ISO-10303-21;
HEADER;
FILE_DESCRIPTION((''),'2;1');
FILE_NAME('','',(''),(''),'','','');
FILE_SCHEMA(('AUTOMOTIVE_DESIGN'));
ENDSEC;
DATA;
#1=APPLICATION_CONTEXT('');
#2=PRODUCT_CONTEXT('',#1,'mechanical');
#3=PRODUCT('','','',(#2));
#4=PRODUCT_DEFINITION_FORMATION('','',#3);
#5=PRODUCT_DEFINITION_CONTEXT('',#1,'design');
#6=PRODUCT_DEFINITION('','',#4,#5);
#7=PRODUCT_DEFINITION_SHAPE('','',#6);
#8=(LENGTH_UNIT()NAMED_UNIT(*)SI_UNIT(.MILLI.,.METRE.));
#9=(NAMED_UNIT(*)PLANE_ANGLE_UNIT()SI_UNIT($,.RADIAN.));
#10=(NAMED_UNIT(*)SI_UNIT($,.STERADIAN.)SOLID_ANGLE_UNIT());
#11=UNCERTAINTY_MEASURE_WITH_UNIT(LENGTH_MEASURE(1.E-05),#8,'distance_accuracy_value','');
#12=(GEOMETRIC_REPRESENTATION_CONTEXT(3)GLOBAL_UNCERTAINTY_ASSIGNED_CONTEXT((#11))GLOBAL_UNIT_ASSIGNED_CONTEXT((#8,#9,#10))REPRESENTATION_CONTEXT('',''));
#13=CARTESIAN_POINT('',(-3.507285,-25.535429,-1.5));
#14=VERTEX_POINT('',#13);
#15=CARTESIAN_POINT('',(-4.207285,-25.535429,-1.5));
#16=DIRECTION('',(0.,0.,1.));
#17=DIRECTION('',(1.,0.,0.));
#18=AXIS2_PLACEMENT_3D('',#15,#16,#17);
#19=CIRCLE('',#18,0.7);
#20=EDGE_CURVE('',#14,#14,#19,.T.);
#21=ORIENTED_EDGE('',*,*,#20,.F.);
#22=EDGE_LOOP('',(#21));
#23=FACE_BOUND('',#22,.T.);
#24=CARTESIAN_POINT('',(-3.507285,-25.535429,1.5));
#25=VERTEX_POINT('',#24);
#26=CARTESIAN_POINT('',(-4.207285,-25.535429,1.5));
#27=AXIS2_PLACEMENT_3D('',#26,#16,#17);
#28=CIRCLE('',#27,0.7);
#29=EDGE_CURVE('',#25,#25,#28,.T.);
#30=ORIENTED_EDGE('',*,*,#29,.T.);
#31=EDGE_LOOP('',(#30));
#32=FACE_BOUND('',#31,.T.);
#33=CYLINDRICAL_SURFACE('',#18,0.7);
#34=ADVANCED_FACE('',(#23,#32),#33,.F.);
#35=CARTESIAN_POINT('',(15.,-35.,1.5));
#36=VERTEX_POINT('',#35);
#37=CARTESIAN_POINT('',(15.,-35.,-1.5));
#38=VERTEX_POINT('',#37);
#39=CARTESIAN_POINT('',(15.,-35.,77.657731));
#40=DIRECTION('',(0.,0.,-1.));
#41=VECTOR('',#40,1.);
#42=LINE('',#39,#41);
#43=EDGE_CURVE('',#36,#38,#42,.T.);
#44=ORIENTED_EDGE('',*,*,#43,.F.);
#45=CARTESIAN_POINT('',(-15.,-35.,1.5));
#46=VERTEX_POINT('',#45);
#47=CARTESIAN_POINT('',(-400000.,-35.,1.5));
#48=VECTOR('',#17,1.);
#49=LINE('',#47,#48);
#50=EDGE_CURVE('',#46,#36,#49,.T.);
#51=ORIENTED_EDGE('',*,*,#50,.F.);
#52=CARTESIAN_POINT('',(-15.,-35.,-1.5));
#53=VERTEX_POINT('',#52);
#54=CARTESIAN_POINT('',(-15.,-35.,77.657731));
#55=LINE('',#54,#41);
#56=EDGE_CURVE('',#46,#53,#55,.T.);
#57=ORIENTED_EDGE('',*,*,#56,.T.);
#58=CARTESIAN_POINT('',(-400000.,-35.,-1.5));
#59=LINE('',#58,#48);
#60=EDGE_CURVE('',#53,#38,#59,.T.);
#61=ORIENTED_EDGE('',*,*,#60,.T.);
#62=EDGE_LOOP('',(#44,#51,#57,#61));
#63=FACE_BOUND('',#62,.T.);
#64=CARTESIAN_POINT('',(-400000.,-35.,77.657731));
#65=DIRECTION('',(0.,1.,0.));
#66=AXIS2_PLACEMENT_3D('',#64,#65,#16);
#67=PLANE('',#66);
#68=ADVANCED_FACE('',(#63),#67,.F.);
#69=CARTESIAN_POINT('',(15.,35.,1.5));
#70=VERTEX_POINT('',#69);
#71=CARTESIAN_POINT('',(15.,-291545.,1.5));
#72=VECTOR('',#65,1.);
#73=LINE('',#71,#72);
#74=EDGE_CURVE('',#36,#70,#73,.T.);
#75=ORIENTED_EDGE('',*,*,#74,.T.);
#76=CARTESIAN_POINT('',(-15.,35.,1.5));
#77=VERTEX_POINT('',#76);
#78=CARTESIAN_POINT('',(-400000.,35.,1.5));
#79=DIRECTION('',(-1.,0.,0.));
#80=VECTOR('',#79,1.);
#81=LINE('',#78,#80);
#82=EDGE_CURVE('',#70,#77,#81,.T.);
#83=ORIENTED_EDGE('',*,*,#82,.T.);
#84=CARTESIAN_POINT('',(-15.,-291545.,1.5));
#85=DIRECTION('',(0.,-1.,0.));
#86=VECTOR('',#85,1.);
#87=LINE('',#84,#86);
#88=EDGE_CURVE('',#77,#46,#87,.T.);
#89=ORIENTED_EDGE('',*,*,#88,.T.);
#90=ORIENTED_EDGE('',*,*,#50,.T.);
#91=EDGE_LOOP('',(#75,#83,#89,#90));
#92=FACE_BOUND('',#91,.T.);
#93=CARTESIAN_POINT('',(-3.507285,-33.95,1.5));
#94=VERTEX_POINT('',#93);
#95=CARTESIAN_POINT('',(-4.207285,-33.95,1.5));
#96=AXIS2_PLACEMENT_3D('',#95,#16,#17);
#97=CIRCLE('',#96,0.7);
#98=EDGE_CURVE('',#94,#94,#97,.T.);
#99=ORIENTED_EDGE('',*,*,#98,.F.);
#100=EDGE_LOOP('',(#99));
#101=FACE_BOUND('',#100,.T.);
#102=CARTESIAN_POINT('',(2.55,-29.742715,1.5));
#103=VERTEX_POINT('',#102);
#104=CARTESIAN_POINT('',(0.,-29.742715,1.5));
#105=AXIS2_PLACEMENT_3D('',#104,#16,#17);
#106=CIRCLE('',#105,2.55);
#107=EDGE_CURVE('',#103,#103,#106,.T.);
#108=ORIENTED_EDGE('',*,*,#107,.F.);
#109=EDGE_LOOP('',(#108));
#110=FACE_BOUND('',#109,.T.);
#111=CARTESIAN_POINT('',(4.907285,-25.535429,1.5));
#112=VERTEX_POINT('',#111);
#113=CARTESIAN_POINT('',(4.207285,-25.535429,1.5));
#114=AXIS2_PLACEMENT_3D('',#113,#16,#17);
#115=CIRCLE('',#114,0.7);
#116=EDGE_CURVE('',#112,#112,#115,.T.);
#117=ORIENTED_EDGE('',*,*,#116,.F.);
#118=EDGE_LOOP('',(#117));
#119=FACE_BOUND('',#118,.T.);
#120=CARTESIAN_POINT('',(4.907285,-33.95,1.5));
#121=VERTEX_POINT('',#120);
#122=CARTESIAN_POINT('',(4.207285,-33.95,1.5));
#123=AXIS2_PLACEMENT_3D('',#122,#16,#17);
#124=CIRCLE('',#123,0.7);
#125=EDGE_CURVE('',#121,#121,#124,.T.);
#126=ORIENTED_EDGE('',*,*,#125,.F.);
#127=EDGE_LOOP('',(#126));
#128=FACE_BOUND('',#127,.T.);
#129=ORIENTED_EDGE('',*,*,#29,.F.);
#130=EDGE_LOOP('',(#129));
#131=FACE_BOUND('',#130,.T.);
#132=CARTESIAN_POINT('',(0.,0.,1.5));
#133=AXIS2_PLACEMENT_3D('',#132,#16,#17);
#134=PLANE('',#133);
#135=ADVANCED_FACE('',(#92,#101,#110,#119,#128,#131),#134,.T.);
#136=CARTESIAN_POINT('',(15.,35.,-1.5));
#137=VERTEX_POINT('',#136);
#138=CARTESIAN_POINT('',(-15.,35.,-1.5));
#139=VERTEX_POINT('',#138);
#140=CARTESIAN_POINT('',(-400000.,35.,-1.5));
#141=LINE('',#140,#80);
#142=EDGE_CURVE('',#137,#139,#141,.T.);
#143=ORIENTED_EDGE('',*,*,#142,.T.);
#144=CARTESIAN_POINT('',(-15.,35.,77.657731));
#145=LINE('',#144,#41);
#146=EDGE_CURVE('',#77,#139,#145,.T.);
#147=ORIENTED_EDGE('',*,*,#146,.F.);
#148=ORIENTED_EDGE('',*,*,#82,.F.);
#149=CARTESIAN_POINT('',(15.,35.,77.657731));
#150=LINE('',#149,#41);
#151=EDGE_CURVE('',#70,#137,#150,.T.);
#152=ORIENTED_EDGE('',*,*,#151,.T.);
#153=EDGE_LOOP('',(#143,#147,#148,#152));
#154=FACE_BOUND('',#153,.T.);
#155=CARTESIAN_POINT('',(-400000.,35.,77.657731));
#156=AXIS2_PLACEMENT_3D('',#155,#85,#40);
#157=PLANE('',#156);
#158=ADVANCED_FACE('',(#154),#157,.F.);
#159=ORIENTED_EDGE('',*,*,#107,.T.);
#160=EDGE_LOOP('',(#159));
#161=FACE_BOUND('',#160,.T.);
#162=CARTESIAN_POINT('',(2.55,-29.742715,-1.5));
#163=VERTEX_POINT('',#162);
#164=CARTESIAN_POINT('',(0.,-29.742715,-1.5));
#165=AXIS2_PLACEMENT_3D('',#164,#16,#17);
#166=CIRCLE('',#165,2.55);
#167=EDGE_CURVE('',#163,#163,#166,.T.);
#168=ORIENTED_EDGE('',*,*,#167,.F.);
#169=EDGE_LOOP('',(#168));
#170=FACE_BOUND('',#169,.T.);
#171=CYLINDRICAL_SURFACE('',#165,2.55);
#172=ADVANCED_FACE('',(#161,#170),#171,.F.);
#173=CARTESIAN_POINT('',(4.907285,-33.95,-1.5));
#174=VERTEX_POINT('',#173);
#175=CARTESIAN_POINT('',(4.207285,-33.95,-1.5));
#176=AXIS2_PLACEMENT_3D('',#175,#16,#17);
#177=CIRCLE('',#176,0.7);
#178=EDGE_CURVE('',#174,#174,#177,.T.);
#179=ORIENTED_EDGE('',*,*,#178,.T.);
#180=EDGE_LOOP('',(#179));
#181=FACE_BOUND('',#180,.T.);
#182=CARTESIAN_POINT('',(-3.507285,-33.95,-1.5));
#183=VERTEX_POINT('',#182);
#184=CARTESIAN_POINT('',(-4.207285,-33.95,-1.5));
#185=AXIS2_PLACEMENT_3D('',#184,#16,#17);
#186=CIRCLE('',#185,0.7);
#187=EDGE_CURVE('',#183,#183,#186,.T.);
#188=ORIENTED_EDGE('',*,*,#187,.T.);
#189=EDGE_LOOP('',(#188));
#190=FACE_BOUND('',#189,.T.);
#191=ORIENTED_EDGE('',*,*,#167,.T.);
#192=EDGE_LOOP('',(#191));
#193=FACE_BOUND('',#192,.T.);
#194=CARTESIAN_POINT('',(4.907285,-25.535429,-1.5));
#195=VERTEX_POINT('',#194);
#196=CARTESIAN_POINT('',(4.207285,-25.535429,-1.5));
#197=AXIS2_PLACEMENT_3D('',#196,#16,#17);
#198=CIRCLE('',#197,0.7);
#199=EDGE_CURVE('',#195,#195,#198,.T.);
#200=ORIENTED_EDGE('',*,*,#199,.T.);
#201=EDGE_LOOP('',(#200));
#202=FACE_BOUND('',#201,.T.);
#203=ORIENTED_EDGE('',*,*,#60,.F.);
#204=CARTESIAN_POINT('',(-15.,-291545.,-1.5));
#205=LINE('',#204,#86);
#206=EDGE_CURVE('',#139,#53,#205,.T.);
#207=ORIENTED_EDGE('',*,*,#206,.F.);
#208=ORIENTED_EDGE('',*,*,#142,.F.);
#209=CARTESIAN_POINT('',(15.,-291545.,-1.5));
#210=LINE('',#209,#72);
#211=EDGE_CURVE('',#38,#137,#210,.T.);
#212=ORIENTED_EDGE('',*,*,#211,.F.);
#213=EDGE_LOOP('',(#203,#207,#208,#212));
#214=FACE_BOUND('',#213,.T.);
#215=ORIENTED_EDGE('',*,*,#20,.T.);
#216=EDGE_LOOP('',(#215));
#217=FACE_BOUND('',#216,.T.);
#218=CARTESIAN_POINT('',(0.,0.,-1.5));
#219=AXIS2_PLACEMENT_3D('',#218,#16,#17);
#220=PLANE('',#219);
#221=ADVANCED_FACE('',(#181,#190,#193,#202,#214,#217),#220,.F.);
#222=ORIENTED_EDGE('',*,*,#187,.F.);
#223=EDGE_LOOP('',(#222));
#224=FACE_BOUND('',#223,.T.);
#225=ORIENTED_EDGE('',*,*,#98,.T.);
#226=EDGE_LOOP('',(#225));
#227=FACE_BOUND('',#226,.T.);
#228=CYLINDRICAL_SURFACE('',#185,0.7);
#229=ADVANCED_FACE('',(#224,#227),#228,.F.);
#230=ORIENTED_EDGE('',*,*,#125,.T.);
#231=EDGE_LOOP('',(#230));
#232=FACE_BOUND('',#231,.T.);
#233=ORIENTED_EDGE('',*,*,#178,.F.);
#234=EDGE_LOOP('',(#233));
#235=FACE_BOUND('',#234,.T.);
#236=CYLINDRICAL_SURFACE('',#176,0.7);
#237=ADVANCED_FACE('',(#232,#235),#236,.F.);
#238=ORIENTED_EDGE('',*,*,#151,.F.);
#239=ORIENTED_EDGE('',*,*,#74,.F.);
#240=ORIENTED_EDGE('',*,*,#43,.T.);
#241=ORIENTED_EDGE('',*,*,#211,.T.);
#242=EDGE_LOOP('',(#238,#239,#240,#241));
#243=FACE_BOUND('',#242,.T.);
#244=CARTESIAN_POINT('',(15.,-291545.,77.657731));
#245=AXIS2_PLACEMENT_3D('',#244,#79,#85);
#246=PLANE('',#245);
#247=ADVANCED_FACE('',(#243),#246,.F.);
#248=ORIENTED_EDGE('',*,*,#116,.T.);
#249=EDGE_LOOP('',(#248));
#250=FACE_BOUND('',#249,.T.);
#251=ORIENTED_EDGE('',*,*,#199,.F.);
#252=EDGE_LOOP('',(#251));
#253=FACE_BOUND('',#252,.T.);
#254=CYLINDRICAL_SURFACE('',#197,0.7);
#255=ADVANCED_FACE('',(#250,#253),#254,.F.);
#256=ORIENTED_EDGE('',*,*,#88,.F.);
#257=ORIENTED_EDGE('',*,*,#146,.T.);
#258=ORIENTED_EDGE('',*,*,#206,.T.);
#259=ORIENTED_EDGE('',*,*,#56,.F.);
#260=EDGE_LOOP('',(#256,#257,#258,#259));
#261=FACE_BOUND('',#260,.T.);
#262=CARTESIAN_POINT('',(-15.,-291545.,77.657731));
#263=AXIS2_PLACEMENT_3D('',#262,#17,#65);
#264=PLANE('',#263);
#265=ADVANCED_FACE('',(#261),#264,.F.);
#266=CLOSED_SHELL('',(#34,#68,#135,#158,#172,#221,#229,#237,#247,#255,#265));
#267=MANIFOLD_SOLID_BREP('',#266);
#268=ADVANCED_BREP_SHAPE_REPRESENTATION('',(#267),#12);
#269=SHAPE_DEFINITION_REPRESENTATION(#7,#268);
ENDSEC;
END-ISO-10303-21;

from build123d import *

# Parameters (mm, degrees)
MAINBODY_EXTRUDE_START            = -1.5
PROJECTIONXY_SKETCH_W             = 30
PROJECTIONXY_SKETCH_H             = 70
MAINBODY_EXTRUDE_DEPTH            = 3
BORE_CUT_DEPTH                    = 39.108398025
BORE_CUT_DEPTH_BACK               = 39.108398025
BORE_SKETCH_R                     = 2.55
POSTCLEARANCEHOLES_CUT_DEPTH      = 39.108398025
POSTCLEARANCEHOLES_CUT_DEPTH_BACK = 39.108398025
POSTCLEARANCEHOLES_SKETCH_R       = 0.7


with BuildPart() as part:
    # projectionXy_sketch → mainBody_extrude (new body)
    with BuildSketch(Plane.XY.offset(MAINBODY_EXTRUDE_START)):
        Rectangle(PROJECTIONXY_SKETCH_W, PROJECTIONXY_SKETCH_H)
    extrude(amount=MAINBODY_EXTRUDE_DEPTH)

    # bore_sketch → bore_cut (cut, two sides: drawn at the far end of the back side and taken through both)
    with BuildSketch(Plane.XY.offset(-BORE_CUT_DEPTH_BACK)):
        with Locations((0, -29.742714652)):
            Circle(BORE_SKETCH_R)
    extrude(amount=BORE_CUT_DEPTH + BORE_CUT_DEPTH_BACK, mode=Mode.SUBTRACT)

    # postClearanceHoles_sketch → postClearanceHoles_cut (cut, two sides: drawn at the far end of the back side and taken through both)
    with BuildSketch(Plane.XY.offset(-POSTCLEARANCEHOLES_CUT_DEPTH_BACK)):
        with Locations((4.207285348, -25.535429304)):
            Circle(POSTCLEARANCEHOLES_SKETCH_R)
        with Locations((-4.207285348, -25.535429304)):
            Circle(POSTCLEARANCEHOLES_SKETCH_R)
        with Locations((-4.207285348, -33.95)):
            Circle(POSTCLEARANCEHOLES_SKETCH_R)
        with Locations((4.207285348, -33.95)):
            Circle(POSTCLEARANCEHOLES_SKETCH_R)
    extrude(amount=POSTCLEARANCEHOLES_CUT_DEPTH + POSTCLEARANCEHOLES_CUT_DEPTH_BACK, mode=Mode.SUBTRACT)


solid = part.part
